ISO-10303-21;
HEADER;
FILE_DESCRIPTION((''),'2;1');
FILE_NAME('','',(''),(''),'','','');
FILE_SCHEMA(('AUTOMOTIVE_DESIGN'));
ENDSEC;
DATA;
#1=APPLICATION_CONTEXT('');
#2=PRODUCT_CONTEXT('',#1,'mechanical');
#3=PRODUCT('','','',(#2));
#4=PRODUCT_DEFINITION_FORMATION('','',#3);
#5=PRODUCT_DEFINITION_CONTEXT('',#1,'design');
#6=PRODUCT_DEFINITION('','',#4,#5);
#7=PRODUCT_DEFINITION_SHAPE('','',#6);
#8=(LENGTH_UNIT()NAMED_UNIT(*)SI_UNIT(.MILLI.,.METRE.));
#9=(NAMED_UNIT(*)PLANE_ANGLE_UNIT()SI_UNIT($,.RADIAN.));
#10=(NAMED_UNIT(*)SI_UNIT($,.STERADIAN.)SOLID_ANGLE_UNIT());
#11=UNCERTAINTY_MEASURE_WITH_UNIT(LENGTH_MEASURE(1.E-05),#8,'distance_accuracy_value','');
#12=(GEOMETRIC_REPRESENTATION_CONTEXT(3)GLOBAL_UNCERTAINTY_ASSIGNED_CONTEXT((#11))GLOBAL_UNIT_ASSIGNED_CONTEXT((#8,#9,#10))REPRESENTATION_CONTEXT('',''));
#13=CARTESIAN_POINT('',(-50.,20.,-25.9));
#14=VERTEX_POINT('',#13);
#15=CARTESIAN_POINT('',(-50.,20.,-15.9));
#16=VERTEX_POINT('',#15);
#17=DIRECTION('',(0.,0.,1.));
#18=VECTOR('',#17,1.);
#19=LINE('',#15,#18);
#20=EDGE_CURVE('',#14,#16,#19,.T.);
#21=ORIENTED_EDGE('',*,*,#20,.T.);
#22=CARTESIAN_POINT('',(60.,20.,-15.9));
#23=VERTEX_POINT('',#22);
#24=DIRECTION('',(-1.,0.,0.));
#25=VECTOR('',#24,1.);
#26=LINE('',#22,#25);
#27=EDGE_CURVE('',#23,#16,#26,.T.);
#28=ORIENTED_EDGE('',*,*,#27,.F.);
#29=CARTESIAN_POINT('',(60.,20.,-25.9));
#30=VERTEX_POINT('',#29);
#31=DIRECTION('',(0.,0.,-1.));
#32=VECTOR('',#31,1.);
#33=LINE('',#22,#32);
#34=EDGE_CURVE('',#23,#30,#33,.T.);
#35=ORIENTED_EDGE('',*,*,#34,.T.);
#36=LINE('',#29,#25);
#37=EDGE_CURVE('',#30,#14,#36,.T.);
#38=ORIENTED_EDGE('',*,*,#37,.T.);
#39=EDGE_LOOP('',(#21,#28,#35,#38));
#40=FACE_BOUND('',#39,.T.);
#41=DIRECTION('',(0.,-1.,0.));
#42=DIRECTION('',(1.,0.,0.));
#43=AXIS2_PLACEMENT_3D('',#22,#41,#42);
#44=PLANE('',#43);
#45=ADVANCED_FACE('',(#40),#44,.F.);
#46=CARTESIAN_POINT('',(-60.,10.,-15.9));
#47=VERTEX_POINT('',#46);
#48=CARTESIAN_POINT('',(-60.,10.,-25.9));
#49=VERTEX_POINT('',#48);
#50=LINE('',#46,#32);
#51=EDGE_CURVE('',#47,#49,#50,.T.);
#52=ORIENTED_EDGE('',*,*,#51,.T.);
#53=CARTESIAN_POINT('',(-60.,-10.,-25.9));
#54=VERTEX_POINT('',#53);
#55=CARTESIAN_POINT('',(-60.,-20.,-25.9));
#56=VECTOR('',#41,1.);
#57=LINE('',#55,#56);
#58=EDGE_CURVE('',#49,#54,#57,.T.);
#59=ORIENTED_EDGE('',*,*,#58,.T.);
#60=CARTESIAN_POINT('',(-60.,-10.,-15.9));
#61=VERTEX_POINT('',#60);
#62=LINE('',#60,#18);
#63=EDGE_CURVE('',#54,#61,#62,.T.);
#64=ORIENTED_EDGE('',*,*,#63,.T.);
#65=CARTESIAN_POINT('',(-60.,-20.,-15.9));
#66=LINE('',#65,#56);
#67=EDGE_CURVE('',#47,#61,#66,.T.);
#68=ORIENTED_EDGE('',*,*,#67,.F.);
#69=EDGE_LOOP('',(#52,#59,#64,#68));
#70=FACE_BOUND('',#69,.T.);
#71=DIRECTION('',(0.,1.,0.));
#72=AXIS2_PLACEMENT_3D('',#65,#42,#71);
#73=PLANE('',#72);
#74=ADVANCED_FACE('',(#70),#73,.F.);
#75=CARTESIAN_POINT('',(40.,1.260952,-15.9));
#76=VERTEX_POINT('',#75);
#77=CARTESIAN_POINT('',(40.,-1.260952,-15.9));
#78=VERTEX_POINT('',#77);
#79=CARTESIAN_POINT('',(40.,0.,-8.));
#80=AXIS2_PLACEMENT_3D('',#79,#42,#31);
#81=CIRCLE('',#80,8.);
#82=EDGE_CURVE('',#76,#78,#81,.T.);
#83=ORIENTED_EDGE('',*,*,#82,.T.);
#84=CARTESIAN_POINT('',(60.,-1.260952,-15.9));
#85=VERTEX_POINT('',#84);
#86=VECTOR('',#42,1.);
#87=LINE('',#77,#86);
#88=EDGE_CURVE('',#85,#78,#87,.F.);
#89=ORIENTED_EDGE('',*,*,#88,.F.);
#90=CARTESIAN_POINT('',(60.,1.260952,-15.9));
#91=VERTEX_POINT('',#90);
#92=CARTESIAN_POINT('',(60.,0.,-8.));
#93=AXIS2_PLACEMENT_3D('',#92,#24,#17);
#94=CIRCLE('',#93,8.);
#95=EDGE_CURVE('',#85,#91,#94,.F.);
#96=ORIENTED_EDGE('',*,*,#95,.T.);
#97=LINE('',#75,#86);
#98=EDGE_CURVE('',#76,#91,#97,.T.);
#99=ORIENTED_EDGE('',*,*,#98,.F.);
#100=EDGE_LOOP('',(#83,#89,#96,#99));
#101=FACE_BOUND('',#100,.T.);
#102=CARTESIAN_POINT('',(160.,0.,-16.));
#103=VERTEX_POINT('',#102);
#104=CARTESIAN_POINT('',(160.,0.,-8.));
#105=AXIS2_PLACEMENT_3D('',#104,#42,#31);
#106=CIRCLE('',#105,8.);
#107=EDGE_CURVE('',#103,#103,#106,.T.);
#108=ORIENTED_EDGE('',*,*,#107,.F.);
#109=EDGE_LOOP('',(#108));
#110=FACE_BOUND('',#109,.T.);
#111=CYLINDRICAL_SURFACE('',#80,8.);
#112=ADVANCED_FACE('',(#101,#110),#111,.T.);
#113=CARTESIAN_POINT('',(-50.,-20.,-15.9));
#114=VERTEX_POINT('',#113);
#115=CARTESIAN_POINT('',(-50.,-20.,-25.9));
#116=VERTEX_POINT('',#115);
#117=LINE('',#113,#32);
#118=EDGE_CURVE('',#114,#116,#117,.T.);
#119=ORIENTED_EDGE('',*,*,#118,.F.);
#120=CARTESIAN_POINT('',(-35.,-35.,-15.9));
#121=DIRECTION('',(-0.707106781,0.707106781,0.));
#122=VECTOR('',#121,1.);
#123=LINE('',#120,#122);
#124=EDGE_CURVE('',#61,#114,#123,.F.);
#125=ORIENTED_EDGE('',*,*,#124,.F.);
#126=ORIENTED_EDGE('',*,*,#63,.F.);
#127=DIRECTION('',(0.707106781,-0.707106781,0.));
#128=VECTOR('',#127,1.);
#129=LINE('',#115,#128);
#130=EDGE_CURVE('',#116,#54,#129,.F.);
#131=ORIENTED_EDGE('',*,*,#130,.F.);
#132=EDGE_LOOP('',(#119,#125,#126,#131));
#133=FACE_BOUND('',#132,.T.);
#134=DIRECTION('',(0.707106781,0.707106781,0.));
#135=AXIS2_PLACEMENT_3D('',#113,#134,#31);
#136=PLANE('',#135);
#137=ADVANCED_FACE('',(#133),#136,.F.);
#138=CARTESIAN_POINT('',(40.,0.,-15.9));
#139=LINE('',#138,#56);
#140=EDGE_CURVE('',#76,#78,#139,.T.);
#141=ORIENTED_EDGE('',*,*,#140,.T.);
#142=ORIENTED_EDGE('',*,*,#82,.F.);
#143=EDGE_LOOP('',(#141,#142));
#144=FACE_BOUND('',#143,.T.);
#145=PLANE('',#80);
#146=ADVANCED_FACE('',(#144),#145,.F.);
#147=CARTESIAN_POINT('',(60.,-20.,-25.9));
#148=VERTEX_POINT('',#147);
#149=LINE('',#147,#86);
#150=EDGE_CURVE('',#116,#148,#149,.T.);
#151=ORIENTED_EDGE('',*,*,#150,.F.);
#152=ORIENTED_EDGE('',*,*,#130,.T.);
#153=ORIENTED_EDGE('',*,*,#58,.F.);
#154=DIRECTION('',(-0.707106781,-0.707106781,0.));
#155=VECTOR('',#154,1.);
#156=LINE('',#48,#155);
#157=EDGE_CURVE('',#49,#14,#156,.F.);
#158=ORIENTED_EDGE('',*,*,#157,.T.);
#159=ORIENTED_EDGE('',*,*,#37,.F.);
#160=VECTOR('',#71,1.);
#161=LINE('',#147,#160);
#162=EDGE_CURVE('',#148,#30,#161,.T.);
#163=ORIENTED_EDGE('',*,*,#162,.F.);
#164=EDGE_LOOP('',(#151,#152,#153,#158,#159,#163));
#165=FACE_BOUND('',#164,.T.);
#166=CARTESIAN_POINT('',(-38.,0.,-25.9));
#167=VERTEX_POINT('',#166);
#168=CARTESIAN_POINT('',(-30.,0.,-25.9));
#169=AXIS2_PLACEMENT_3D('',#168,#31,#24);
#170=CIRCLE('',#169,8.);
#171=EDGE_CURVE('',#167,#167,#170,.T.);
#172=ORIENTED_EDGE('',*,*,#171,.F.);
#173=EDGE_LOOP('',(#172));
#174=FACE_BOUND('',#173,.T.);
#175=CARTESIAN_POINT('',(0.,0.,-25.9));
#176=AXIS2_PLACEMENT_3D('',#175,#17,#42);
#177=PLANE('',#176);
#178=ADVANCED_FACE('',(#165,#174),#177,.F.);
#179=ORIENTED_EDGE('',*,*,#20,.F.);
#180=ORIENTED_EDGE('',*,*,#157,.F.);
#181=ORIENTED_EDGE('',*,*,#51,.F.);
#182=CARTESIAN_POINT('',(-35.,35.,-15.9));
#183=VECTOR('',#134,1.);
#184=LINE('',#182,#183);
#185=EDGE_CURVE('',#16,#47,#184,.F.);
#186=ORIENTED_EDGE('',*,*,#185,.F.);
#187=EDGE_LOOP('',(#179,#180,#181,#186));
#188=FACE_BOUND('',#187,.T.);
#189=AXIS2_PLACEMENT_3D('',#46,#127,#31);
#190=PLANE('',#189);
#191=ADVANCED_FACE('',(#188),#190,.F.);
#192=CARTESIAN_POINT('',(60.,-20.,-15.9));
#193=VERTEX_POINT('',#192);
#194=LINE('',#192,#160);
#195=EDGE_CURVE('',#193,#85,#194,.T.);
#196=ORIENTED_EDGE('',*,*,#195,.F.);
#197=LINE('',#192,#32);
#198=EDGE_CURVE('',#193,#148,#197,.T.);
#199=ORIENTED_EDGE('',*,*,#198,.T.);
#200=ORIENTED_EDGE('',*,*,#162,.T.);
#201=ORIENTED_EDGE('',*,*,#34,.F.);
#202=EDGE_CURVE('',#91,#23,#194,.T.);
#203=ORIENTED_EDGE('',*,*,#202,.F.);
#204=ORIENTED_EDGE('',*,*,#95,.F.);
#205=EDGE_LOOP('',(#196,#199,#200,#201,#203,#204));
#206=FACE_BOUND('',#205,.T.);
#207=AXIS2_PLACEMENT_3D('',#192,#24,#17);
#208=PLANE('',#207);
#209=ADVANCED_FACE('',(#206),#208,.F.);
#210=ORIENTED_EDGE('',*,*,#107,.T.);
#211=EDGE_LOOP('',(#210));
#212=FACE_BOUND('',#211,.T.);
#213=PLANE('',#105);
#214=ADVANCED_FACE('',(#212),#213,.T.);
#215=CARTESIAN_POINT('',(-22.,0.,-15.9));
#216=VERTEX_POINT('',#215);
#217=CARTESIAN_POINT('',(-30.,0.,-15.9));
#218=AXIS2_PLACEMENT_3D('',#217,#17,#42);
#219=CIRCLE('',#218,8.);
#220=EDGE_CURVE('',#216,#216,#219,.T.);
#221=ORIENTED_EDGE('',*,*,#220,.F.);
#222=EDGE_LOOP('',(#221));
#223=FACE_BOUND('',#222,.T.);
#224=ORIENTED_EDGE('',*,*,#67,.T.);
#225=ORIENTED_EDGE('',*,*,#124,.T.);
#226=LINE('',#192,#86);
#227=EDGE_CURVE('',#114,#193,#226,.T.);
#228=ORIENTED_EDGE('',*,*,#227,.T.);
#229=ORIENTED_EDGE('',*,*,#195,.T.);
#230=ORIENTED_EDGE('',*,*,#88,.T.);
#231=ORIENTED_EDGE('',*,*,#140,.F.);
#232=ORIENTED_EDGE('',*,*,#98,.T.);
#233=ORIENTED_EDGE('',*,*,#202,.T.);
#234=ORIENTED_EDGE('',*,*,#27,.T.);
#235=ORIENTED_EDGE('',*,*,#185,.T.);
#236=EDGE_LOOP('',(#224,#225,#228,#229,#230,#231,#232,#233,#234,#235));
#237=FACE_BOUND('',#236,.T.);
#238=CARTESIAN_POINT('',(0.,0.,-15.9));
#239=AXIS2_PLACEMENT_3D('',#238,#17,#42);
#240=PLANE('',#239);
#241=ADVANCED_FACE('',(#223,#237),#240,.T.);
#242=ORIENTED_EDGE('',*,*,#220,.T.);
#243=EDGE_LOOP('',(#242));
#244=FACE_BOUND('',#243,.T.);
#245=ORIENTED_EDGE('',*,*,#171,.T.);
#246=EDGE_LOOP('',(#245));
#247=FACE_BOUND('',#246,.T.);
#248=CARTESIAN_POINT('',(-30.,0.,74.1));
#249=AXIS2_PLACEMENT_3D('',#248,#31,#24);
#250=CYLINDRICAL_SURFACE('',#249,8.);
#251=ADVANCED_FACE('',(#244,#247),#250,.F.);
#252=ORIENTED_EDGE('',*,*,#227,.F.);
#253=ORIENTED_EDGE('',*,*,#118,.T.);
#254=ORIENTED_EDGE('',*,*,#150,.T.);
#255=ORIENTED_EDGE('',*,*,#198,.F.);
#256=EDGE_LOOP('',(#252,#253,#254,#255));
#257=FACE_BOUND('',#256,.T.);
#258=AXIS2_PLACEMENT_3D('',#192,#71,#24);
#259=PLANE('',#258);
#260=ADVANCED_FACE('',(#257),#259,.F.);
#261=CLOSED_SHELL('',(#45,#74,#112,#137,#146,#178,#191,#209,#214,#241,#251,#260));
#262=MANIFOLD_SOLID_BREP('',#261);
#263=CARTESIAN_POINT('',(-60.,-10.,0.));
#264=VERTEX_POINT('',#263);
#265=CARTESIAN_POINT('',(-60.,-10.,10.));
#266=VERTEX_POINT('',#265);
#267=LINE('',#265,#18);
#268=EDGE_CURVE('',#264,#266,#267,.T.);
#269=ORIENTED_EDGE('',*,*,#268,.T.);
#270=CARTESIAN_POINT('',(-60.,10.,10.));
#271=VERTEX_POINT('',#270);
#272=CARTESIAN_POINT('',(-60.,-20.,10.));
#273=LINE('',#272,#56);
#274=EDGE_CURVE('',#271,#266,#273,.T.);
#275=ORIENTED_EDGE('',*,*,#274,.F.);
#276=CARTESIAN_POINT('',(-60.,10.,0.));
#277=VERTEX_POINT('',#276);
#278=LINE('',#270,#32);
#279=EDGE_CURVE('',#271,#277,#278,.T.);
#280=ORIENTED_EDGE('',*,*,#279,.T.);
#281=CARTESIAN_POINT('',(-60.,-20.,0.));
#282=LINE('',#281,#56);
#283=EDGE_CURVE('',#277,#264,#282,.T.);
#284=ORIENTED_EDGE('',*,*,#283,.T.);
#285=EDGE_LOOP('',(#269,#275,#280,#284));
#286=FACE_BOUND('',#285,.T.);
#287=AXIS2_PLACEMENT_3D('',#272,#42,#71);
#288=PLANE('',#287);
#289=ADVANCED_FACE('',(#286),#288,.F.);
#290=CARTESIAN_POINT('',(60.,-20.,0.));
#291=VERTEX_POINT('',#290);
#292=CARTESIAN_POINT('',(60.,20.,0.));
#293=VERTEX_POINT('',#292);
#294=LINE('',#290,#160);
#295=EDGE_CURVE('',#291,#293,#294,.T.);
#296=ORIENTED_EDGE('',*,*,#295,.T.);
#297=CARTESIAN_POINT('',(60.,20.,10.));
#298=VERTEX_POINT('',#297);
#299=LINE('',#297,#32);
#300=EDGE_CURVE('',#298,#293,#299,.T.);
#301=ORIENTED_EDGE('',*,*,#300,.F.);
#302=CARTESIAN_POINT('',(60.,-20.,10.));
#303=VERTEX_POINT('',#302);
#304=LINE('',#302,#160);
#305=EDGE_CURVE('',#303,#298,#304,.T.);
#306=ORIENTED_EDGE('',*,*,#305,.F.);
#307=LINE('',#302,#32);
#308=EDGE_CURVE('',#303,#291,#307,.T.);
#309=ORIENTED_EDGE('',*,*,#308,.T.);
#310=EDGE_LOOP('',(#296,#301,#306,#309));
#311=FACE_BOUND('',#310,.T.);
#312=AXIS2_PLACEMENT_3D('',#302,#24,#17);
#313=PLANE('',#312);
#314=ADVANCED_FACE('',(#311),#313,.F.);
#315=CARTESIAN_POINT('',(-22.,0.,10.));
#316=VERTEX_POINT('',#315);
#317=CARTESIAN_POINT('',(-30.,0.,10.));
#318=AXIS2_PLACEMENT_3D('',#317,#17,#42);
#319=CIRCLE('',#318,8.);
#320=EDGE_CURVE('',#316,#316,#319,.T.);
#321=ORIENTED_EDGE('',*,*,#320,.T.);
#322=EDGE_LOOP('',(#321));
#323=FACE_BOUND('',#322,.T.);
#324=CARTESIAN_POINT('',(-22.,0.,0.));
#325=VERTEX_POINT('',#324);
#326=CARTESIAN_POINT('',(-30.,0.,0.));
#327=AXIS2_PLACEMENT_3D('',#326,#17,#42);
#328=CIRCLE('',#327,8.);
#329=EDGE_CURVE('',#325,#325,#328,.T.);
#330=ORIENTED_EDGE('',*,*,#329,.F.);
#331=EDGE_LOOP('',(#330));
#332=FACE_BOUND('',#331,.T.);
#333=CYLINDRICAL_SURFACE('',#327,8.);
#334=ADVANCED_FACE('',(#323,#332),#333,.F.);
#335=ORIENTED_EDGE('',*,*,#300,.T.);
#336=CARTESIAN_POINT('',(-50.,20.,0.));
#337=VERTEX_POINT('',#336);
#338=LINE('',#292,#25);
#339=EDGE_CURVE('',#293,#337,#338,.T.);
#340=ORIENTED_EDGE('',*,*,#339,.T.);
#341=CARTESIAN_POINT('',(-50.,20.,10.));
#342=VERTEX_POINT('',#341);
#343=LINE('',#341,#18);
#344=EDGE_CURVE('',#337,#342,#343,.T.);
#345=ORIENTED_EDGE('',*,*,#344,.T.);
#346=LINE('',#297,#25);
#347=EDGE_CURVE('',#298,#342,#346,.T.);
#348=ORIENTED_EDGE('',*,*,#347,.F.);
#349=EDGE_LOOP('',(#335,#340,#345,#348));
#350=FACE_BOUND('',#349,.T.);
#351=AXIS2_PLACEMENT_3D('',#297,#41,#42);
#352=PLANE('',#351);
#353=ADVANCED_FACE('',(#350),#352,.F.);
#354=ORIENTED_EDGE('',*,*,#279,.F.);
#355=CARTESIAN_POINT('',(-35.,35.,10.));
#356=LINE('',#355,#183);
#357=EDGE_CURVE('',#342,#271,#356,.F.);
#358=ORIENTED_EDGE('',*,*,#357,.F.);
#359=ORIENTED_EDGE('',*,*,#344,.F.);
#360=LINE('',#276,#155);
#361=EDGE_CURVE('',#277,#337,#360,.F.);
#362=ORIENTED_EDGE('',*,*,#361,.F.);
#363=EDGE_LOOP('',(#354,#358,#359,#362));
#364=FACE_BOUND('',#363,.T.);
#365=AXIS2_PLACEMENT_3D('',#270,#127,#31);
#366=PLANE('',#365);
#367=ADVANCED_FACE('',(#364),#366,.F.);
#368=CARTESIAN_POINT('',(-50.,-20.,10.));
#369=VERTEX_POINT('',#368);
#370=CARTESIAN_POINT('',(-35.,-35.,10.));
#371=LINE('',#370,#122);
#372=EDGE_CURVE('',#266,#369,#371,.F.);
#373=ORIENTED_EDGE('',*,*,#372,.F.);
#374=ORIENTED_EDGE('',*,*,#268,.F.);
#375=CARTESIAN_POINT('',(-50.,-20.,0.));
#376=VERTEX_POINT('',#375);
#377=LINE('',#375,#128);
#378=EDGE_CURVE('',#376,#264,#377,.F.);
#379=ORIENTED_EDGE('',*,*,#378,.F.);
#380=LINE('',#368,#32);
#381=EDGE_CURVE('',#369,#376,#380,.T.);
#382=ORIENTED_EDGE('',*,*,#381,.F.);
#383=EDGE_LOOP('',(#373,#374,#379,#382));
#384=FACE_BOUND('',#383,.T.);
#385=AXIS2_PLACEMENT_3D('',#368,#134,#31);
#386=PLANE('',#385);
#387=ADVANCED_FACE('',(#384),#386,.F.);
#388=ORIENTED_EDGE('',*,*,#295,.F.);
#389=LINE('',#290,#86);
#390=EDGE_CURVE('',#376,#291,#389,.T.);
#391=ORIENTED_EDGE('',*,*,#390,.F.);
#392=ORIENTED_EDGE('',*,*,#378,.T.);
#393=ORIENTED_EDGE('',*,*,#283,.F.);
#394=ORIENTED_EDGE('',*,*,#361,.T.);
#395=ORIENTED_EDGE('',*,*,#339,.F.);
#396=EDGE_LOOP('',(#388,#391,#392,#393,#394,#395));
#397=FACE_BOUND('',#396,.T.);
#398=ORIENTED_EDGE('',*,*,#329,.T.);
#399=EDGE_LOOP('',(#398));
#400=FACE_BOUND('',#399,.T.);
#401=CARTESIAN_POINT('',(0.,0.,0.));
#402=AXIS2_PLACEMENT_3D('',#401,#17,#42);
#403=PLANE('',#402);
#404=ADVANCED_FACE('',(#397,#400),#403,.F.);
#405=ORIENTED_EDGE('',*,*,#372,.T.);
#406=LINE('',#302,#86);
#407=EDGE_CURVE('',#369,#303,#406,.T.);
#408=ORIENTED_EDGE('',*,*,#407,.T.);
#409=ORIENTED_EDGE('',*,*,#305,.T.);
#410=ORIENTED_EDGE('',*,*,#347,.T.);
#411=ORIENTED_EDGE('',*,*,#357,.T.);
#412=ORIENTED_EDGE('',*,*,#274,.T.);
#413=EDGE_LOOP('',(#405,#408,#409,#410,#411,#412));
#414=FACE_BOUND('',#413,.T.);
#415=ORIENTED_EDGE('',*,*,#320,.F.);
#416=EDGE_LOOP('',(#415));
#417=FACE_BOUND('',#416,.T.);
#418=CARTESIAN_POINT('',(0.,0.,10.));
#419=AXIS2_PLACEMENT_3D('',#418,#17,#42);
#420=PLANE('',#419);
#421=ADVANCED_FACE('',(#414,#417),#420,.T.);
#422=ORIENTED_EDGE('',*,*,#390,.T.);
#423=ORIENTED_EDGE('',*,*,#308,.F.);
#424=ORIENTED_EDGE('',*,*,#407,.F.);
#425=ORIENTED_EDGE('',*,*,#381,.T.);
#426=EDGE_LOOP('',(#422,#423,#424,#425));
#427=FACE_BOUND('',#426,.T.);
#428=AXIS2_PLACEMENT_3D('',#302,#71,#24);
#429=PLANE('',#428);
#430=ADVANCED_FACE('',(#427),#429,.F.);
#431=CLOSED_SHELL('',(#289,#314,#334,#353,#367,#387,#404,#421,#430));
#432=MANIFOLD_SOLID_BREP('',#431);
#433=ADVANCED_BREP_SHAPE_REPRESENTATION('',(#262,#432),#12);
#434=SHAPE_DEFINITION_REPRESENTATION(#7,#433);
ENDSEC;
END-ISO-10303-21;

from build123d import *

# Parameters (mm, degrees)
SKETCH1_W                = 120
SKETCH1_H                = 40
BOSS_EXTRUDE1_DEPTH      = 10
SKETCH4_R                = 8
CUT_EXTRUDE1_DEPTH       = 10
CHAMFER2_SIZE            = 10
CHAMFER3_SIZE            = 10
BOSS_EXTRUDE2_DEPTH      = 100
BOSS_EXTRUDE2_DEPTH_BACK = 20
SKETCH5_R                = 8
LPATTERN1_COUNT          = 2
LPATTERN1_PITCH          = 25.9
CHAMFER4_SIZE            = 10
CHAMFER5_SIZE            = 10
CUT_EXTRUDE2_START       = -100
SKETCH6_R                = 8
CUT_EXTRUDE2_DEPTH       = 100


with BuildPart() as part:
    # Sketch1 → Boss-Extrude1 (new body)
    with BuildSketch(Plane.XY):
        Rectangle(SKETCH1_W, SKETCH1_H)
    boss_extrude1 = extrude(amount=BOSS_EXTRUDE1_DEPTH)

    # Sketch4 → Cut-Extrude1 (cut)
    with BuildSketch(Plane.XY.offset(10)):
        with Locations((-30, 0)):
            Circle(SKETCH4_R)
    extrude(amount=-CUT_EXTRUDE1_DEPTH, mode=Mode.SUBTRACT)

    # Chamfer2
    chamfer2_edges = [part.edges().sort_by_distance(p)[0] for p in [
        (-60, 20, 5),
    ]]
    chamfer(chamfer2_edges, length=CHAMFER2_SIZE)

    # Chamfer3
    chamfer3_edges = [part.edges().sort_by_distance(p)[0] for p in [
        (-60, -20, 5),
    ]]
    chamfer(chamfer3_edges, length=CHAMFER3_SIZE)


with BuildPart() as body_2:
    # Sketch5 → Boss-Extrude2 (new, two sides: drawn at the far end of the back side and taken through both)
    with BuildSketch(Plane(origin=(60, 0, 0), x_dir=(0, 0, -1), z_dir=(1, 0, 0)).offset(-BOSS_EXTRUDE2_DEPTH_BACK)):
        with Locations((8, 0)):
            Circle(SKETCH5_R)
    extrude(amount=BOSS_EXTRUDE2_DEPTH + BOSS_EXTRUDE2_DEPTH_BACK)

    # LPattern1: Boss-Extrude1 ×2
    with Locations(*[(0, 0, -i * LPATTERN1_PITCH) for i in range(1, LPATTERN1_COUNT)]):
        add(boss_extrude1)

    # Chamfer4
    chamfer4_edges = [body_2.edges().sort_by_distance(p)[0] for p in [
        (-60, 20, -20.9),
    ]]
    chamfer(chamfer4_edges, length=CHAMFER4_SIZE)

    # Chamfer5
    chamfer5_edges = [body_2.edges().sort_by_distance(p)[0] for p in [
        (-60, -20, -20.9),
    ]]
    chamfer(chamfer5_edges, length=CHAMFER5_SIZE)

    # Sketch6 → Cut-Extrude2 (cut)
    with BuildSketch(Plane(origin=(0, 0, -25.9), x_dir=(-1, 0, 0), z_dir=(0, 0, -1)).offset(CUT_EXTRUDE2_START)):
        with Locations((30, 0)):
            Circle(SKETCH6_R)
    extrude(amount=CUT_EXTRUDE2_DEPTH, mode=Mode.SUBTRACT)


solid = Compound([part.part, body_2.part])
